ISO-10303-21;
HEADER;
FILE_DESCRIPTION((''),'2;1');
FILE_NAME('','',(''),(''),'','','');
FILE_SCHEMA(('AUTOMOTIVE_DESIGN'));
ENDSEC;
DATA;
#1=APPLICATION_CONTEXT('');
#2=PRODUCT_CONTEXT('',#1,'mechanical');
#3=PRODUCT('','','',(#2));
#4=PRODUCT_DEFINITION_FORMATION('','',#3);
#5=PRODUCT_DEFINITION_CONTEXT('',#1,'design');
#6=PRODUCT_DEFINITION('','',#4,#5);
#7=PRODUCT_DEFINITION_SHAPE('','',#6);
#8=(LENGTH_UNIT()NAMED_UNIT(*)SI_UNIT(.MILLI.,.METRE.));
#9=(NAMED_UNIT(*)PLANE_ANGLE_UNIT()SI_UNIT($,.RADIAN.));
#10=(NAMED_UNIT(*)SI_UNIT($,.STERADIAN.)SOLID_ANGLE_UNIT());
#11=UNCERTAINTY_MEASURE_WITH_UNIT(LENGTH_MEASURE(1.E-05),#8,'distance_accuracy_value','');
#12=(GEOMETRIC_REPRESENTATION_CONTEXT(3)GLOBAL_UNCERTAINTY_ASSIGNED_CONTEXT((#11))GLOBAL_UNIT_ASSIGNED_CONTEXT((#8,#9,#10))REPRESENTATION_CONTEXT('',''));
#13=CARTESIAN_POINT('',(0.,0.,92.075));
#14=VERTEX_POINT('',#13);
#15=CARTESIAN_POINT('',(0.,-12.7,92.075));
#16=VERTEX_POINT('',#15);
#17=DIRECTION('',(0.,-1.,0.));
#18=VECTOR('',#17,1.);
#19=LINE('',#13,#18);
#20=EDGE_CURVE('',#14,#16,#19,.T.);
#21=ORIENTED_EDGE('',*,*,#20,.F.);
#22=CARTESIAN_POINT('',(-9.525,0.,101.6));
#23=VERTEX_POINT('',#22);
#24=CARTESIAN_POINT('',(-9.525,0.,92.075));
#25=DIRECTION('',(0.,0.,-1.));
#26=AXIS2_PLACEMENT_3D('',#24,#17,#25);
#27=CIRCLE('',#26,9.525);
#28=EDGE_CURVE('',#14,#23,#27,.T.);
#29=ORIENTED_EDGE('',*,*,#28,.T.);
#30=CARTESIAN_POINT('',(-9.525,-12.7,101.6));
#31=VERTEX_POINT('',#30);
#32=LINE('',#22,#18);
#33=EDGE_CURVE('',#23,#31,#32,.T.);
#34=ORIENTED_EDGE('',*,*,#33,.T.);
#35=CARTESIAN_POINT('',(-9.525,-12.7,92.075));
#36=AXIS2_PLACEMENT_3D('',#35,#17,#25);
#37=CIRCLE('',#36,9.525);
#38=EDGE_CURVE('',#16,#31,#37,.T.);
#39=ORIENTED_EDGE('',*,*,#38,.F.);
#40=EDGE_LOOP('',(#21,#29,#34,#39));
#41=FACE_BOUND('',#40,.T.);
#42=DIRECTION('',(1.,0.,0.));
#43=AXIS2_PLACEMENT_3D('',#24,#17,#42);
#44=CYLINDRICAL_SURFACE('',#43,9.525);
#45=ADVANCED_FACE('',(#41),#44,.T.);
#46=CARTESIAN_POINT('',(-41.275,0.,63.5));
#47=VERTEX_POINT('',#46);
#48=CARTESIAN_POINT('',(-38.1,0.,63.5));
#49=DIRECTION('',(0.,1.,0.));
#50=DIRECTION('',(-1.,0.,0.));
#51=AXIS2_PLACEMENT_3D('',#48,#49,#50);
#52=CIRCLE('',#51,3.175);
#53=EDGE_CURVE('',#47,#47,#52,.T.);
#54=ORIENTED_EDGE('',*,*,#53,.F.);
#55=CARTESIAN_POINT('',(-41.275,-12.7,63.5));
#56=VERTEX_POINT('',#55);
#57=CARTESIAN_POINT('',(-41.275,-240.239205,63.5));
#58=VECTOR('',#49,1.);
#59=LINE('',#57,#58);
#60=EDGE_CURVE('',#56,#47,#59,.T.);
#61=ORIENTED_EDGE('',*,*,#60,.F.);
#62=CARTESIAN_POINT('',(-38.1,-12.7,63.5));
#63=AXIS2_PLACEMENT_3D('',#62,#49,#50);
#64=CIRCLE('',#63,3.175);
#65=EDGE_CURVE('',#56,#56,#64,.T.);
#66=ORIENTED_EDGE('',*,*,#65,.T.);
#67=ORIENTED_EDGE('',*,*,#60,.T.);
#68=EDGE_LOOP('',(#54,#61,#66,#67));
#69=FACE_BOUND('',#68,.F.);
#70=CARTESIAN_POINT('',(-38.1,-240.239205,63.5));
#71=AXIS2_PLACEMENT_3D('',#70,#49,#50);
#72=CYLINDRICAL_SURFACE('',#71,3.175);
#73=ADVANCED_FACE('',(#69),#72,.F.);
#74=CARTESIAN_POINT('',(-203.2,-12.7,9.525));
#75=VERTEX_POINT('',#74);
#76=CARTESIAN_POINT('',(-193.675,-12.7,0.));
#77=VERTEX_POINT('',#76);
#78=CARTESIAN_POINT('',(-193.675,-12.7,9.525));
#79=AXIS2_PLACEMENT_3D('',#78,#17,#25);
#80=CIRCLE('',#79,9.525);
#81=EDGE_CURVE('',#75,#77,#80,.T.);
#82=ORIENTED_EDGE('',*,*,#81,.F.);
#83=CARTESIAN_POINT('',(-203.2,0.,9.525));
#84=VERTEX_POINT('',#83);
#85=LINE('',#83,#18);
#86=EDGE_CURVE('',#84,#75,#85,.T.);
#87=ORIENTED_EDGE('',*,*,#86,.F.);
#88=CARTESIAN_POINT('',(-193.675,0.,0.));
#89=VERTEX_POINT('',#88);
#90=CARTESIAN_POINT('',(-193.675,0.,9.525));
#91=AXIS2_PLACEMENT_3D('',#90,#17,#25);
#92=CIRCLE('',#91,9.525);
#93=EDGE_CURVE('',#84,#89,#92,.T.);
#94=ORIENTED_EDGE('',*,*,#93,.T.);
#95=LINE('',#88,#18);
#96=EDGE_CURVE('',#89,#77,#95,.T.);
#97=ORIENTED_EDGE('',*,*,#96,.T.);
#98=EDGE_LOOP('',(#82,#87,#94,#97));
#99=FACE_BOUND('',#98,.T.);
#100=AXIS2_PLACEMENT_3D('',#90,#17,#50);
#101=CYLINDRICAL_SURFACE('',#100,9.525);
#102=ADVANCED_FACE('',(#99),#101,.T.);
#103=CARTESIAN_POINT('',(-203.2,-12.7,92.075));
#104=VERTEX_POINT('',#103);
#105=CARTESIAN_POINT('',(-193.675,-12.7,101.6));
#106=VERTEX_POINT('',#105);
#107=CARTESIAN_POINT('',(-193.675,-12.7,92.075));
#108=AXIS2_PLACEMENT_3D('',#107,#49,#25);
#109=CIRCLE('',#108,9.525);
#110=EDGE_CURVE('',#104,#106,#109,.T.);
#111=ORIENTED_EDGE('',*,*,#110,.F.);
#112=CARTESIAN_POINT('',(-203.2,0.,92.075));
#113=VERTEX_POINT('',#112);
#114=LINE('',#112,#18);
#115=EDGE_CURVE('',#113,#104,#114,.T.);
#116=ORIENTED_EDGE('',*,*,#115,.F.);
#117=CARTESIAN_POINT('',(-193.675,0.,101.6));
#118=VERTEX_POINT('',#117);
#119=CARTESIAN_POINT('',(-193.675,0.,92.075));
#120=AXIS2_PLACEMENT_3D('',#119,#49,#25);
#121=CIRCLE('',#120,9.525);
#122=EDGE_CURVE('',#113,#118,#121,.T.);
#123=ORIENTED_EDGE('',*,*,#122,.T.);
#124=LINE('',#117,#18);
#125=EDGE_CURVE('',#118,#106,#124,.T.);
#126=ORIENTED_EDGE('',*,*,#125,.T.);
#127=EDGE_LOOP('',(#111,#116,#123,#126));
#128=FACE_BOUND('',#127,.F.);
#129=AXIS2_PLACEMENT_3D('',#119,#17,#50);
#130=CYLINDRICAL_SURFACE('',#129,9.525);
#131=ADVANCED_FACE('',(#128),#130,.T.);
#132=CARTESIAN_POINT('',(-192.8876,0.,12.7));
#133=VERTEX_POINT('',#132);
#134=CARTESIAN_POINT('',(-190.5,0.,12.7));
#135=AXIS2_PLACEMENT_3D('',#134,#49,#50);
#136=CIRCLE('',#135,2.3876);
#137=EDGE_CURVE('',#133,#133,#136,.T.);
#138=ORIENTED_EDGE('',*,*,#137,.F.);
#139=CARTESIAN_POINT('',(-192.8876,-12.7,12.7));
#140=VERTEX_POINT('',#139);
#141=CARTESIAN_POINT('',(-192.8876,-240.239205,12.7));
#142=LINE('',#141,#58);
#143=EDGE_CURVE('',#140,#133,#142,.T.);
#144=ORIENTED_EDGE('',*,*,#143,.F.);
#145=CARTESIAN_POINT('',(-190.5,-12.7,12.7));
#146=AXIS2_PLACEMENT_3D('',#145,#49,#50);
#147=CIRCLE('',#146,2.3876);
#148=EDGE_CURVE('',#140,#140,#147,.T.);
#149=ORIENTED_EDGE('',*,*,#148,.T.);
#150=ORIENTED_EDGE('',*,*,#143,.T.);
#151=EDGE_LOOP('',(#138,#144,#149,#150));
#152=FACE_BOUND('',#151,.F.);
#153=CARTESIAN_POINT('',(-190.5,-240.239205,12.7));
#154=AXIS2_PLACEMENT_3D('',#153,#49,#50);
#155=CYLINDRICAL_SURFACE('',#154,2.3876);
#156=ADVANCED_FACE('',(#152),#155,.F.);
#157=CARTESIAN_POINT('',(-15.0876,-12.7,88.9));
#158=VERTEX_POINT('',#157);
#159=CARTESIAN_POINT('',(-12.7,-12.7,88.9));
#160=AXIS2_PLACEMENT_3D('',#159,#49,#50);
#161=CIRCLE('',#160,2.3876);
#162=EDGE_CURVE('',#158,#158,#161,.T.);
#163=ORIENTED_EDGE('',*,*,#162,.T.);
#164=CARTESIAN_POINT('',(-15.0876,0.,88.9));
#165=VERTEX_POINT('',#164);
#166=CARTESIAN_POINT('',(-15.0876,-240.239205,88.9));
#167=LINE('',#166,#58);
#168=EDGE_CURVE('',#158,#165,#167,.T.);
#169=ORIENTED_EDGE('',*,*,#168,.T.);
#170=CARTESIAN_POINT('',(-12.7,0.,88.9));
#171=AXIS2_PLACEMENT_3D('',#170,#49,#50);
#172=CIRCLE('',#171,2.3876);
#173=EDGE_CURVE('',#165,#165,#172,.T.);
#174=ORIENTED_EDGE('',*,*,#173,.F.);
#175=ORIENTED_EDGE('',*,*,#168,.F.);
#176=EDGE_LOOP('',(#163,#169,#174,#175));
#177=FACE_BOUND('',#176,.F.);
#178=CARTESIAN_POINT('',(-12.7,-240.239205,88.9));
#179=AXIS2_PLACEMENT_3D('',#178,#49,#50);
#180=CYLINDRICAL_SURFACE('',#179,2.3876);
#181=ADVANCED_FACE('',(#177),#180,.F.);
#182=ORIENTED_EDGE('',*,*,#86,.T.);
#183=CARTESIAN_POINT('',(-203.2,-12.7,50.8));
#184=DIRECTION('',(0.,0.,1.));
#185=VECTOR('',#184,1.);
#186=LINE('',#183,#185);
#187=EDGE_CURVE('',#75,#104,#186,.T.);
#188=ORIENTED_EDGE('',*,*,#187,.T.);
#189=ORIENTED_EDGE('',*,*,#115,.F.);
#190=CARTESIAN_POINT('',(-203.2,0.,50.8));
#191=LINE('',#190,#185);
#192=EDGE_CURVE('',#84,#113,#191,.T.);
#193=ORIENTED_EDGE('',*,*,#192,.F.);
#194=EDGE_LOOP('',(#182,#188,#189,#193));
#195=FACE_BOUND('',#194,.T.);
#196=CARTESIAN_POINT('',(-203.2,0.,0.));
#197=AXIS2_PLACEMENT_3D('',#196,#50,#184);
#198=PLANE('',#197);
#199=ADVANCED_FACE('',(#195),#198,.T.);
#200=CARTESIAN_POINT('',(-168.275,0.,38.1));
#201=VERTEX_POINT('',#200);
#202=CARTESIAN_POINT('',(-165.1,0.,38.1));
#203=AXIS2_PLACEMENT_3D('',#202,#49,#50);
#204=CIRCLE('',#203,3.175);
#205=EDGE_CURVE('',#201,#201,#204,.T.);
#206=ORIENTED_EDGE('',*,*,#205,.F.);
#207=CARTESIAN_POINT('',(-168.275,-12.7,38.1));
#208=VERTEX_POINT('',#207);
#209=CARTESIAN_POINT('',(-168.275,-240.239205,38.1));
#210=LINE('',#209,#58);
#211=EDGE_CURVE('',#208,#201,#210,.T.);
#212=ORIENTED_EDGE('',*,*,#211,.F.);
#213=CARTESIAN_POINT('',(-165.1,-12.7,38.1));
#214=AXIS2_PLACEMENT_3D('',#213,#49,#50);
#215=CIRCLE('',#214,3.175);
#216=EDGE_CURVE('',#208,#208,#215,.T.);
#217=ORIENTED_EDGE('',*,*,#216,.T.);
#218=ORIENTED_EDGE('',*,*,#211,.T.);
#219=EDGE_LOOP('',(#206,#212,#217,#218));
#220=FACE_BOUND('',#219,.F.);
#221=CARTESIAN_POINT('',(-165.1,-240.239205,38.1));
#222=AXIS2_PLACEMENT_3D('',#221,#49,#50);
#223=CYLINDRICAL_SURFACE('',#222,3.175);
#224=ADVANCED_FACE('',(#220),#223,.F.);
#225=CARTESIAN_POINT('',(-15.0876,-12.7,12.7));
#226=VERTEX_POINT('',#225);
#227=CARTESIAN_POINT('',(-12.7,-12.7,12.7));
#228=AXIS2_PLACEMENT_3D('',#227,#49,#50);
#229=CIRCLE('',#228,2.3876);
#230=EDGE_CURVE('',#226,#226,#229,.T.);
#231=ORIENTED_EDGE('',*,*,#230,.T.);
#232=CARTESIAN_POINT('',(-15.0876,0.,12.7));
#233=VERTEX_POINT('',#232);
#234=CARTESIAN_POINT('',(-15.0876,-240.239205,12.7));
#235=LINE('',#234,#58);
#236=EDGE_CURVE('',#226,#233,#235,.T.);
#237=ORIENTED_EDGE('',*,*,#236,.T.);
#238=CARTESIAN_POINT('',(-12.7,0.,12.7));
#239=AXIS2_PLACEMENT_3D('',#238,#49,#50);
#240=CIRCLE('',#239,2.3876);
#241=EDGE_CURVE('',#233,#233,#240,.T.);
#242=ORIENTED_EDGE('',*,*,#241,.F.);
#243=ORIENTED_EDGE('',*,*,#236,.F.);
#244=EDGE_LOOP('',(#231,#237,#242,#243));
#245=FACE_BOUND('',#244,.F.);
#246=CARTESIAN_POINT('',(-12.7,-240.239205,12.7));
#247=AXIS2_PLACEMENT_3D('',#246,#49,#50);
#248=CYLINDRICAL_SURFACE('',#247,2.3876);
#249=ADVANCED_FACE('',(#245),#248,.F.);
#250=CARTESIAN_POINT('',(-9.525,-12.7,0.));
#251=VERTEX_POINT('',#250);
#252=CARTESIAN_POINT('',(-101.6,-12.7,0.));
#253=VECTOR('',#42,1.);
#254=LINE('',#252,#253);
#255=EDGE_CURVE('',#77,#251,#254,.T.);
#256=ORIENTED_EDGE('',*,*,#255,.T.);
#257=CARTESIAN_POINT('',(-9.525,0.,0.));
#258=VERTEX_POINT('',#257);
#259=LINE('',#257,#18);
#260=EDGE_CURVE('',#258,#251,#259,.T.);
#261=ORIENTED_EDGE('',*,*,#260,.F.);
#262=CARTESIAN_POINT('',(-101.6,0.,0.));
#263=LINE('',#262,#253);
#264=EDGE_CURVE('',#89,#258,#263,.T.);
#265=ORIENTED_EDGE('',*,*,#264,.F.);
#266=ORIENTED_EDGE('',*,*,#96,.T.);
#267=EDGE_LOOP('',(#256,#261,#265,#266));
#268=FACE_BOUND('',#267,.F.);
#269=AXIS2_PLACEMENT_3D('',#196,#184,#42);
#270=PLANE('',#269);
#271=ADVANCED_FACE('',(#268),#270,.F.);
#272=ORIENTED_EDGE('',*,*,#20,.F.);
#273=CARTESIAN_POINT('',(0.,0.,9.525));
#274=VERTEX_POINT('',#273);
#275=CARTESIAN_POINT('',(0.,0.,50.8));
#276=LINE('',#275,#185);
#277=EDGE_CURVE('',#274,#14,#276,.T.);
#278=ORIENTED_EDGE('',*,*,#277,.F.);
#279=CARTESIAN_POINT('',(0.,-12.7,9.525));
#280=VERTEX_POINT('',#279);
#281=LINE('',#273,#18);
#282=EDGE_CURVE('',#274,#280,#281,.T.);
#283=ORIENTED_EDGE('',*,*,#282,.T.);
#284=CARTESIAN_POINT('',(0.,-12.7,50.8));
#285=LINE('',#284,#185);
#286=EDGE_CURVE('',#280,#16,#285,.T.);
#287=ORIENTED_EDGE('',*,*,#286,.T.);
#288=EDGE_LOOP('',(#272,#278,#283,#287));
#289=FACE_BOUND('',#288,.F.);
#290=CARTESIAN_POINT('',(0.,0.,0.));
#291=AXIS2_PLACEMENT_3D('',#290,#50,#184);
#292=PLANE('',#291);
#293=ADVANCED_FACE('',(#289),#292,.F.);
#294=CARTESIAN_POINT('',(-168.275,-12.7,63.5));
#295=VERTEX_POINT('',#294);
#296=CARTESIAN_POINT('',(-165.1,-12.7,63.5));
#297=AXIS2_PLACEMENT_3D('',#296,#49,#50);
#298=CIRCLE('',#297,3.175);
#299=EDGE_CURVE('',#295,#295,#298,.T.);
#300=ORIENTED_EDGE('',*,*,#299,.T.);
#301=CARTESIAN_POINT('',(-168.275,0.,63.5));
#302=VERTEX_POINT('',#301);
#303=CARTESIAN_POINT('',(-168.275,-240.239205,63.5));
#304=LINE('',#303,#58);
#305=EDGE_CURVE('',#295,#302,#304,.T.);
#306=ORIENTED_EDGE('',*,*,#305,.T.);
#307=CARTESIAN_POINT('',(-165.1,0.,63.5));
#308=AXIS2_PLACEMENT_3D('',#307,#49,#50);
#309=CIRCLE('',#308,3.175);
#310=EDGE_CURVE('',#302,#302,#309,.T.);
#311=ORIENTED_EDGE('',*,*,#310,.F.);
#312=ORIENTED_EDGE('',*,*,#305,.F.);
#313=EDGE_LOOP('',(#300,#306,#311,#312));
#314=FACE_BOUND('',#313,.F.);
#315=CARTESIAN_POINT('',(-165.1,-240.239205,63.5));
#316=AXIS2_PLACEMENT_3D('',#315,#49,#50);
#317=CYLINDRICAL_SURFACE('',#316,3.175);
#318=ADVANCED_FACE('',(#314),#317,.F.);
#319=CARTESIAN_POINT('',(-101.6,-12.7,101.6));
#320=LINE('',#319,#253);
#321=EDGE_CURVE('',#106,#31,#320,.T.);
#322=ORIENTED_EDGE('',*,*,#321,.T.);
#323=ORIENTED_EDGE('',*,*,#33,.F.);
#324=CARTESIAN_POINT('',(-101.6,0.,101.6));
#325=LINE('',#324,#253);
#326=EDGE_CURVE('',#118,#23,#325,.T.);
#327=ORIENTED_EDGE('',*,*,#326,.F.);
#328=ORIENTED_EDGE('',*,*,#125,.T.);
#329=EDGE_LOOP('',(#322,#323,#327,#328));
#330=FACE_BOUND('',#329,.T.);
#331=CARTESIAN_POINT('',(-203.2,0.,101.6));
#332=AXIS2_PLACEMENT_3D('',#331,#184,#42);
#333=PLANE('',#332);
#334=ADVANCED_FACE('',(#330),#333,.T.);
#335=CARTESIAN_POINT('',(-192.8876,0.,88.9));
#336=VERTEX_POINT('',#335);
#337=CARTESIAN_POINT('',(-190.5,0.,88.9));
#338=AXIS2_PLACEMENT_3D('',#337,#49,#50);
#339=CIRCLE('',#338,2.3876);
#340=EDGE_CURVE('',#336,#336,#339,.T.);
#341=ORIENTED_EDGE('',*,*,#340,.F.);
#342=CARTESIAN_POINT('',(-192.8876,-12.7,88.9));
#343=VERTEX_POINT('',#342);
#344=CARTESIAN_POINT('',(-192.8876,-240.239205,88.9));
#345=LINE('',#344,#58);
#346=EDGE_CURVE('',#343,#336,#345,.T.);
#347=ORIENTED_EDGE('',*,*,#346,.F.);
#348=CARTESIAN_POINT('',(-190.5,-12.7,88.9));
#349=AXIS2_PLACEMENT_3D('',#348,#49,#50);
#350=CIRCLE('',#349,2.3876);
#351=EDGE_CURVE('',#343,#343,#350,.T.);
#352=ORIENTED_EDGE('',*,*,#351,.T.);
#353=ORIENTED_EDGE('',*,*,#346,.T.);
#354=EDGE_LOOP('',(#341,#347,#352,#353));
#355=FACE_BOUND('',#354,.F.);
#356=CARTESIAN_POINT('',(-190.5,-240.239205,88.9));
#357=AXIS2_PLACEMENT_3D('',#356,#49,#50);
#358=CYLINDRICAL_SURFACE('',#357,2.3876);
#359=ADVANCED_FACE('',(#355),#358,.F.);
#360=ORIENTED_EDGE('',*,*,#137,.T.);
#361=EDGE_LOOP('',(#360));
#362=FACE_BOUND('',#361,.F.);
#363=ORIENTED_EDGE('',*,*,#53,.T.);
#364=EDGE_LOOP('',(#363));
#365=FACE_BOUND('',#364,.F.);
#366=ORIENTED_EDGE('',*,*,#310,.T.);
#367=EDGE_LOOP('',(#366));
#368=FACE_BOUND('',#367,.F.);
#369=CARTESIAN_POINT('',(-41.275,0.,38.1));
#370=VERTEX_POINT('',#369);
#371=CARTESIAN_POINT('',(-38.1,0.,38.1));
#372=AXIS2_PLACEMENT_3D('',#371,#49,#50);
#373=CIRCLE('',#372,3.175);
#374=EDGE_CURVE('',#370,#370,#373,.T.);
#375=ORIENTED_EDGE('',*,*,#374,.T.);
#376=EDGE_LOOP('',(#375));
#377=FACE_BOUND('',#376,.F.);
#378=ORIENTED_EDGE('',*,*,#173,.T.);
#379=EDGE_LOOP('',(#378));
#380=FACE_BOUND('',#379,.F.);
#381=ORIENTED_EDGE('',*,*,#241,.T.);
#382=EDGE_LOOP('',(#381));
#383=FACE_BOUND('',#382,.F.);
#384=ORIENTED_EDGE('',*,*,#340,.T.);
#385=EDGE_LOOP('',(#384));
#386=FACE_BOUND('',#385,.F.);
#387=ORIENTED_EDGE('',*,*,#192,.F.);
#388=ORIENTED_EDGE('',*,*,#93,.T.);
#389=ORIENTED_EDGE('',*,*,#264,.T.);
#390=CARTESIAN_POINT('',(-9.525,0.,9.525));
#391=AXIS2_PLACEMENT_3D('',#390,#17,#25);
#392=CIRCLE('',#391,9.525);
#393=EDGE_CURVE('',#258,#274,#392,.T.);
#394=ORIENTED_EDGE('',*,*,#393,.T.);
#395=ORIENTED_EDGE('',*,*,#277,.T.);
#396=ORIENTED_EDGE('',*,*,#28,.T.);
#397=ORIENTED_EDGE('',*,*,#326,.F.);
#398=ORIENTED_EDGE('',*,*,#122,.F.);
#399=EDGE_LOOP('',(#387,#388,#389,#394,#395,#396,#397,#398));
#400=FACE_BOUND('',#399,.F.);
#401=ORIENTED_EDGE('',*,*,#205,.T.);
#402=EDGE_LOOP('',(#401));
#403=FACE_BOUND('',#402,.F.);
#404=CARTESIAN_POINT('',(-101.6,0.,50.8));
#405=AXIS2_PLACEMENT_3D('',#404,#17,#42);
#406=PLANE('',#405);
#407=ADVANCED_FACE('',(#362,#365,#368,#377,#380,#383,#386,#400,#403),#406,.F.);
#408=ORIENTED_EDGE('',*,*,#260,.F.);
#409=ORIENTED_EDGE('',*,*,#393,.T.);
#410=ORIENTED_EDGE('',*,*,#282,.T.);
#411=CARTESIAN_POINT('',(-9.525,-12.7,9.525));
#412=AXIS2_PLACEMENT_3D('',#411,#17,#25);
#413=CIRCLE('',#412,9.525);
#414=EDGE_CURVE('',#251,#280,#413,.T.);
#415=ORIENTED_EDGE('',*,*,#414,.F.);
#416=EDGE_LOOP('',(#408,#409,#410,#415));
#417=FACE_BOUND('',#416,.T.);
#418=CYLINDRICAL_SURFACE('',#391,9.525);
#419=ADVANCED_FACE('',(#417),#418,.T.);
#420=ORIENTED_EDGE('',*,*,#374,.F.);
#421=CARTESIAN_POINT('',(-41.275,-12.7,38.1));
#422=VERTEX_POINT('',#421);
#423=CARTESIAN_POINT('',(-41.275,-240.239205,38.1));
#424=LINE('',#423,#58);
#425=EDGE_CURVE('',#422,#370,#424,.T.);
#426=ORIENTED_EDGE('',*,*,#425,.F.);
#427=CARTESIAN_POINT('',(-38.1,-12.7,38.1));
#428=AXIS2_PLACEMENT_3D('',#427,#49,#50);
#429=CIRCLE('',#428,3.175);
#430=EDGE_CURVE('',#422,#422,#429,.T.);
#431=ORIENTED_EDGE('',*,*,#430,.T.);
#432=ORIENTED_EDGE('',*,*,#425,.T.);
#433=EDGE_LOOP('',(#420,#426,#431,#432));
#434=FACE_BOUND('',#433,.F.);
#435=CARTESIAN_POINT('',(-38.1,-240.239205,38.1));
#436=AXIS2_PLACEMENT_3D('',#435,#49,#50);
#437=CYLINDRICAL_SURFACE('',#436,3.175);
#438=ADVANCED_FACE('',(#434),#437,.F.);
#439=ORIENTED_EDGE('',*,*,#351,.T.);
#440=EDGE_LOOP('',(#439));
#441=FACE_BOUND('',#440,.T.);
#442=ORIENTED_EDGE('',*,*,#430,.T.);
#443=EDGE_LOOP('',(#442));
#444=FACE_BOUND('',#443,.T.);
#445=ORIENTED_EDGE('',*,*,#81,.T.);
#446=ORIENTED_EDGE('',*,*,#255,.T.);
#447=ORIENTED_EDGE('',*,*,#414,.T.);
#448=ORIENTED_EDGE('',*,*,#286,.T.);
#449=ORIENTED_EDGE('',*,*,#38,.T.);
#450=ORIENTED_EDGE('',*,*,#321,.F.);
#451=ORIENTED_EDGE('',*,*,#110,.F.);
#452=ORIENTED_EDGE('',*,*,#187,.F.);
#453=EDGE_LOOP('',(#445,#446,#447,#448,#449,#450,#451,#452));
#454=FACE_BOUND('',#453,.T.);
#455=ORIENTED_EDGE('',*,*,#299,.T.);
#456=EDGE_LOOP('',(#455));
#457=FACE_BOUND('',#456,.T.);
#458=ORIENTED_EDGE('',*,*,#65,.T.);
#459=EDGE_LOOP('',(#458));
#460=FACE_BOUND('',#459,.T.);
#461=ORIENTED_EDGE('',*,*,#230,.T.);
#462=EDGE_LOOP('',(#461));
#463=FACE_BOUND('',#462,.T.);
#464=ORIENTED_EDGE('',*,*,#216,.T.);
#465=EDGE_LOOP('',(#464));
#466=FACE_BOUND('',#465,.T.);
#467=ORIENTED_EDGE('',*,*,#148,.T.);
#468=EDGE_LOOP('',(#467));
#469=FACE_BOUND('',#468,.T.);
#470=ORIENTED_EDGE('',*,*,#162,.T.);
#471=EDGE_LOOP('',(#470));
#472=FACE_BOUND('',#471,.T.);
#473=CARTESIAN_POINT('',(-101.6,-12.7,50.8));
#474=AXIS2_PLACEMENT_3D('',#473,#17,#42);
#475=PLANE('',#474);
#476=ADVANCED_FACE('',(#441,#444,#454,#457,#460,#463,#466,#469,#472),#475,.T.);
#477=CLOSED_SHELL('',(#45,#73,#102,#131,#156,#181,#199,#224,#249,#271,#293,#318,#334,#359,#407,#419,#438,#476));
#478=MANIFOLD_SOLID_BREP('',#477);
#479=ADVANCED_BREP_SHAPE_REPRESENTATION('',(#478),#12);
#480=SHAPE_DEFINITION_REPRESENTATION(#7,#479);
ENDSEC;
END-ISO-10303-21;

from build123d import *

# Parameters (mm, degrees)
F0_W     = 203.2
F0_H     = 101.6
F1_DEPTH = 12.7
F2_R     = 9.525
F4_D     = 4.7752
F6_D     = 6.35


with BuildPart() as f1:
    # F0 (on Front) → F1 (new body)
    with BuildSketch(Plane.XZ):
        with Locations((-101.6, 50.8)):
            Rectangle(F0_W, F0_H)
    extrude(amount=F1_DEPTH)

    # F2
    f2_edges = [f1.edges().sort_by_distance(p)[0] for p in [
        (-203.2, -6.35, 101.6),
        (-203.2, -6.35, 0),
        (0, -6.35, 101.6),
        (0, -6.35, 0),
    ]]
    fillet(f2_edges, radius=F2_R)

    # F4 (through all)
    with Locations(Plane.XZ.offset(12.7)):
        with Locations((-190.5, 88.9), (-190.5, 12.7), (-12.7, 12.7), (-12.7, 88.9)):
            Hole(F4_D / 2)

    # F6 (through all)
    with Locations(Plane.XZ.offset(12.7)):
        with Locations((-165.1, 63.5), (-165.1, 38.1), (-38.1, 38.1), (-38.1, 63.5)):
            Hole(F6_D / 2)


solid = f1.part
